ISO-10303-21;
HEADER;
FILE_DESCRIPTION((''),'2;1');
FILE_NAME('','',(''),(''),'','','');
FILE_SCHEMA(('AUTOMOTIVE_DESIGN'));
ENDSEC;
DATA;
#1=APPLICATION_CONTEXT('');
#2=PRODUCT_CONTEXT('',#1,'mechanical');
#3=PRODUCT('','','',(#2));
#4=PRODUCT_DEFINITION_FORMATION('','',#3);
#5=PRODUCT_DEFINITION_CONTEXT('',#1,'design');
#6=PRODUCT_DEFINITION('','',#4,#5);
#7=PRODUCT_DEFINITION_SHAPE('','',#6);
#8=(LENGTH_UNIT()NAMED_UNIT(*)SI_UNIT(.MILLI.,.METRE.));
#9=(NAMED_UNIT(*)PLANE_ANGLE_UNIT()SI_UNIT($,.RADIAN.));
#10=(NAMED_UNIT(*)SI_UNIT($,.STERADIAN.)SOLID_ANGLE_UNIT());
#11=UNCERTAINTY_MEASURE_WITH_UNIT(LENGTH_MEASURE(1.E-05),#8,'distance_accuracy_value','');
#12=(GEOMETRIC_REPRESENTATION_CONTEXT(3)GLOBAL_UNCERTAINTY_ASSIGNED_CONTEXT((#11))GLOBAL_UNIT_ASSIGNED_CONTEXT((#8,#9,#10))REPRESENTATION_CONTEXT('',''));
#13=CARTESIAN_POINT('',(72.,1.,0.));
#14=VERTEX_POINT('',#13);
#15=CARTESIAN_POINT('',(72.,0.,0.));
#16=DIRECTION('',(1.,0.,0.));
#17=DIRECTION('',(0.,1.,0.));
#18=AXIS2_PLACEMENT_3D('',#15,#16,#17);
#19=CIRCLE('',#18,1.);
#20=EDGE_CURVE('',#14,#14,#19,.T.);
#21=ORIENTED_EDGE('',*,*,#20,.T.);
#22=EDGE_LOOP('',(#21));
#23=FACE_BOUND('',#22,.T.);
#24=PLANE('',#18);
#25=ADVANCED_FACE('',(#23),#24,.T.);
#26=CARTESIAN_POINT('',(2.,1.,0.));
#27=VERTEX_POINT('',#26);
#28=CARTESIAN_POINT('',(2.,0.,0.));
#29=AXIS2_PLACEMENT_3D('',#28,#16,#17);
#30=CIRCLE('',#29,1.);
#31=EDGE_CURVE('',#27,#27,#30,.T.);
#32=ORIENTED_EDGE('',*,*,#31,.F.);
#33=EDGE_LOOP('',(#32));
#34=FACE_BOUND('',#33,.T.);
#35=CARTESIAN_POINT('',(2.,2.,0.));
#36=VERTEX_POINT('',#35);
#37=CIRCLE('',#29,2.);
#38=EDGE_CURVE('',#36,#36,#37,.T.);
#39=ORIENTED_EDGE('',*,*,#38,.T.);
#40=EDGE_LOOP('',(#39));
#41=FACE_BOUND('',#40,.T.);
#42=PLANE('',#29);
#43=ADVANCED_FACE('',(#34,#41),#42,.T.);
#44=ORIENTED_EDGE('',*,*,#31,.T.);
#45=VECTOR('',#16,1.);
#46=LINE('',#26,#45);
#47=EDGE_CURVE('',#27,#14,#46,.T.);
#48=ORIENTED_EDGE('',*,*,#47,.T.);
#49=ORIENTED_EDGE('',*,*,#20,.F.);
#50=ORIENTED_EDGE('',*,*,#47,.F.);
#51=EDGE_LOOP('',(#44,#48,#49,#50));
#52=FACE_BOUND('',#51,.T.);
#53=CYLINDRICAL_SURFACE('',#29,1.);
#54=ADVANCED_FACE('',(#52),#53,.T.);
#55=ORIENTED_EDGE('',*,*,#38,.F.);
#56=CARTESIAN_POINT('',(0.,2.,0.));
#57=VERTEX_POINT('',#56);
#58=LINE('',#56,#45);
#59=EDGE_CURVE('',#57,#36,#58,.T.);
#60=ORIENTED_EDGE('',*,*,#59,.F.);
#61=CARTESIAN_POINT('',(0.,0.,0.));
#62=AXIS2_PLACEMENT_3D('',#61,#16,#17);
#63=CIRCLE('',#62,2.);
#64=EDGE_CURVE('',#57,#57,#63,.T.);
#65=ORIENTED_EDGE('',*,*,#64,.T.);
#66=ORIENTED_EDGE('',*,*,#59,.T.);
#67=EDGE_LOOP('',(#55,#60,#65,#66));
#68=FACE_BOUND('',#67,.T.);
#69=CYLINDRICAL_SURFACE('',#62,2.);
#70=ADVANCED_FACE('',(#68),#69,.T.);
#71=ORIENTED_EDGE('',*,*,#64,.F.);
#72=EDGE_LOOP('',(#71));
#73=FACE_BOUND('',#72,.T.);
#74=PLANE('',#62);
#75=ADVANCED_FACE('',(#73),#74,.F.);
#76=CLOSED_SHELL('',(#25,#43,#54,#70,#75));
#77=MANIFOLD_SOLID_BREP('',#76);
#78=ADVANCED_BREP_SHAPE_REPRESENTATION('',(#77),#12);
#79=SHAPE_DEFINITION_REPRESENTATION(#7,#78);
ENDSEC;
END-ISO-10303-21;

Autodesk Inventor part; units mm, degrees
ref_plane "Plan de départ" through (0, 0, 0) normal (1, 0, 0) x (0, 1, 0)
ref_plane "XZ Plane" through (0, 0, 0) normal (0, 1, 0) x (-1, 0, 0)
ref_plane "XY Plane" through (0, 0, 0) normal (0, 0, 1) x (1, 0, 0)
sketch "Esquisse principale" plane through (0, 0, 0) normal (0, 0, 1) x (1, 0, 0)
  line L0 (0, 0) -> (72, 0)
  line L1 (0, 0) -> (0, 2)
  line L2 (2, 2) -> (2, 1)
  line L3 (0, 2) -> (2, 2)
  line L4 (72, 1) -> (72, 0)
  line L5 (2, 1) -> (72, 1)
  dimension "d3" = 4
  dimension "d4" = 2
revolve "Révolution1" add sketch "Esquisse principale" angle 360 about axis through (0, 0, 0) along (1, 0, 0)
properties part number "Arbre" material "Steel"
